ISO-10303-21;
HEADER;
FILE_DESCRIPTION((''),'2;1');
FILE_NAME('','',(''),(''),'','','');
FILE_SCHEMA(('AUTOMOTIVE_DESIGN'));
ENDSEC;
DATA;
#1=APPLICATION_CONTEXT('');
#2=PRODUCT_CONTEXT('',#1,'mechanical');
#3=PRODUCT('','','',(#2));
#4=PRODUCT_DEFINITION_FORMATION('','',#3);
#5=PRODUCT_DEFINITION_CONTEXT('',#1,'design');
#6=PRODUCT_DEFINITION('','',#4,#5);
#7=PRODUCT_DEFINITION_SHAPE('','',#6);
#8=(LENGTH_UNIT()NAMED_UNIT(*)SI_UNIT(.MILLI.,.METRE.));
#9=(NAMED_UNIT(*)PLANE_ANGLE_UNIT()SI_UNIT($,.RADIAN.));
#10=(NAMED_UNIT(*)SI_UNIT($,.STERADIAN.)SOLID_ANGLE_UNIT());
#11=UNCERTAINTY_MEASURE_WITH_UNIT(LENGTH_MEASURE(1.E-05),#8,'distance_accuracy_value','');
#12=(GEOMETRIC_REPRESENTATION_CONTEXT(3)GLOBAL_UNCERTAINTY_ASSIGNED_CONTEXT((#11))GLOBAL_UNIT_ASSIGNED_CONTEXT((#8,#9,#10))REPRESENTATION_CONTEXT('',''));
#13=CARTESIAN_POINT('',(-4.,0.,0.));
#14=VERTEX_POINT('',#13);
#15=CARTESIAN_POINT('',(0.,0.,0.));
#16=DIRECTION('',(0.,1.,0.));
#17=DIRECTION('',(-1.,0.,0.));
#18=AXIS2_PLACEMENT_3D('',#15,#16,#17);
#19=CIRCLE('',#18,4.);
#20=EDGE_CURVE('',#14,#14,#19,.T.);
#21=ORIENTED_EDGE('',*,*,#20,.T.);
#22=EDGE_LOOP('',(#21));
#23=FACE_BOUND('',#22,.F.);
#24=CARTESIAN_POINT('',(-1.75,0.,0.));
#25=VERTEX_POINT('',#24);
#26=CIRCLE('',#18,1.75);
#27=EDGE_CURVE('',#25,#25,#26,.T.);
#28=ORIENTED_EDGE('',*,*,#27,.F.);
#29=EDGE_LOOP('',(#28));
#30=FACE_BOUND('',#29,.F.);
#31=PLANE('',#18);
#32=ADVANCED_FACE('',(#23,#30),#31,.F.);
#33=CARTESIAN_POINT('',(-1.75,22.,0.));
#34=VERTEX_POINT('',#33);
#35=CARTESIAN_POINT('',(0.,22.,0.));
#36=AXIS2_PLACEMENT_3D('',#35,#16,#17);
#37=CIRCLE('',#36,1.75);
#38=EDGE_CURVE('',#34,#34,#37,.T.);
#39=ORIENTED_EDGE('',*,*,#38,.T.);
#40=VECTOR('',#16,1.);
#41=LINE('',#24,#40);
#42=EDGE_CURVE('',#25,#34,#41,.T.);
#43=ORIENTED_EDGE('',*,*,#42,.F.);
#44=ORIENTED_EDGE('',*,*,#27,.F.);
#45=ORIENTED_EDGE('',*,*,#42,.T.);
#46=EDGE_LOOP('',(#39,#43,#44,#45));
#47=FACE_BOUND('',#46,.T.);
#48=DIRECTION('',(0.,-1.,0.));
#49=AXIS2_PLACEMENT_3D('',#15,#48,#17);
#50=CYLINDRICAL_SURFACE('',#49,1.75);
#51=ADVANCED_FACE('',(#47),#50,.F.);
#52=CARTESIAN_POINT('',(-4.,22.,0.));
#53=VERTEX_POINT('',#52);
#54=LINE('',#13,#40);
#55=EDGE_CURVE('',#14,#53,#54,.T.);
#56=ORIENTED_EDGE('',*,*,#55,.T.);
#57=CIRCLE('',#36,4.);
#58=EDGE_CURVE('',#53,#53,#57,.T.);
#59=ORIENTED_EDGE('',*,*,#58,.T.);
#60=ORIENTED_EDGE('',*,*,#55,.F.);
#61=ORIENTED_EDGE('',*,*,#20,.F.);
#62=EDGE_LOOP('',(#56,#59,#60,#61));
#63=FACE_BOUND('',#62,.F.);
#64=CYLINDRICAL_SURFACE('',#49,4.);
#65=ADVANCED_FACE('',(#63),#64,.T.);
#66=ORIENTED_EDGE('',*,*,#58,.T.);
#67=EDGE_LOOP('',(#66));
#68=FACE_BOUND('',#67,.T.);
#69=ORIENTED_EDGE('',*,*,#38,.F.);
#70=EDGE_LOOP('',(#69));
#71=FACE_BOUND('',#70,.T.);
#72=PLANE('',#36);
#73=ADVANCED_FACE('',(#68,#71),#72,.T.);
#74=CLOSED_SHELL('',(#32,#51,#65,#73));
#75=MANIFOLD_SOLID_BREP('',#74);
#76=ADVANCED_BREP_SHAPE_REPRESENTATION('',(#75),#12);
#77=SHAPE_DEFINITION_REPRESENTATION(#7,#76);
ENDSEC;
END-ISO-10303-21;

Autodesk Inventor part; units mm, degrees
ref_plane "YZ Plane" through (0, 0, 0) normal (1, 0, 0) x (0, 1, 0)
ref_plane "XZ Plane" through (0, 0, 0) normal (0, 1, 0) x (-1, 0, 0)
ref_plane "XY Plane" through (0, 0, 0) normal (0, 0, 1) x (1, 0, 0)
sketch "Boceto1" plane through (0, 0, 0) normal (0, 1, 0) x (-1, 0, 0)
  circle A0 centre (0, 0) radius 1.75
  circle A1 centre (0, 0) radius 4
  dimension "d0" = 3.5
  dimension "d1" = 8
extrude "Extrusión1" add sketch "Boceto1" along normal blind 22
properties part number "espaciador driver"
